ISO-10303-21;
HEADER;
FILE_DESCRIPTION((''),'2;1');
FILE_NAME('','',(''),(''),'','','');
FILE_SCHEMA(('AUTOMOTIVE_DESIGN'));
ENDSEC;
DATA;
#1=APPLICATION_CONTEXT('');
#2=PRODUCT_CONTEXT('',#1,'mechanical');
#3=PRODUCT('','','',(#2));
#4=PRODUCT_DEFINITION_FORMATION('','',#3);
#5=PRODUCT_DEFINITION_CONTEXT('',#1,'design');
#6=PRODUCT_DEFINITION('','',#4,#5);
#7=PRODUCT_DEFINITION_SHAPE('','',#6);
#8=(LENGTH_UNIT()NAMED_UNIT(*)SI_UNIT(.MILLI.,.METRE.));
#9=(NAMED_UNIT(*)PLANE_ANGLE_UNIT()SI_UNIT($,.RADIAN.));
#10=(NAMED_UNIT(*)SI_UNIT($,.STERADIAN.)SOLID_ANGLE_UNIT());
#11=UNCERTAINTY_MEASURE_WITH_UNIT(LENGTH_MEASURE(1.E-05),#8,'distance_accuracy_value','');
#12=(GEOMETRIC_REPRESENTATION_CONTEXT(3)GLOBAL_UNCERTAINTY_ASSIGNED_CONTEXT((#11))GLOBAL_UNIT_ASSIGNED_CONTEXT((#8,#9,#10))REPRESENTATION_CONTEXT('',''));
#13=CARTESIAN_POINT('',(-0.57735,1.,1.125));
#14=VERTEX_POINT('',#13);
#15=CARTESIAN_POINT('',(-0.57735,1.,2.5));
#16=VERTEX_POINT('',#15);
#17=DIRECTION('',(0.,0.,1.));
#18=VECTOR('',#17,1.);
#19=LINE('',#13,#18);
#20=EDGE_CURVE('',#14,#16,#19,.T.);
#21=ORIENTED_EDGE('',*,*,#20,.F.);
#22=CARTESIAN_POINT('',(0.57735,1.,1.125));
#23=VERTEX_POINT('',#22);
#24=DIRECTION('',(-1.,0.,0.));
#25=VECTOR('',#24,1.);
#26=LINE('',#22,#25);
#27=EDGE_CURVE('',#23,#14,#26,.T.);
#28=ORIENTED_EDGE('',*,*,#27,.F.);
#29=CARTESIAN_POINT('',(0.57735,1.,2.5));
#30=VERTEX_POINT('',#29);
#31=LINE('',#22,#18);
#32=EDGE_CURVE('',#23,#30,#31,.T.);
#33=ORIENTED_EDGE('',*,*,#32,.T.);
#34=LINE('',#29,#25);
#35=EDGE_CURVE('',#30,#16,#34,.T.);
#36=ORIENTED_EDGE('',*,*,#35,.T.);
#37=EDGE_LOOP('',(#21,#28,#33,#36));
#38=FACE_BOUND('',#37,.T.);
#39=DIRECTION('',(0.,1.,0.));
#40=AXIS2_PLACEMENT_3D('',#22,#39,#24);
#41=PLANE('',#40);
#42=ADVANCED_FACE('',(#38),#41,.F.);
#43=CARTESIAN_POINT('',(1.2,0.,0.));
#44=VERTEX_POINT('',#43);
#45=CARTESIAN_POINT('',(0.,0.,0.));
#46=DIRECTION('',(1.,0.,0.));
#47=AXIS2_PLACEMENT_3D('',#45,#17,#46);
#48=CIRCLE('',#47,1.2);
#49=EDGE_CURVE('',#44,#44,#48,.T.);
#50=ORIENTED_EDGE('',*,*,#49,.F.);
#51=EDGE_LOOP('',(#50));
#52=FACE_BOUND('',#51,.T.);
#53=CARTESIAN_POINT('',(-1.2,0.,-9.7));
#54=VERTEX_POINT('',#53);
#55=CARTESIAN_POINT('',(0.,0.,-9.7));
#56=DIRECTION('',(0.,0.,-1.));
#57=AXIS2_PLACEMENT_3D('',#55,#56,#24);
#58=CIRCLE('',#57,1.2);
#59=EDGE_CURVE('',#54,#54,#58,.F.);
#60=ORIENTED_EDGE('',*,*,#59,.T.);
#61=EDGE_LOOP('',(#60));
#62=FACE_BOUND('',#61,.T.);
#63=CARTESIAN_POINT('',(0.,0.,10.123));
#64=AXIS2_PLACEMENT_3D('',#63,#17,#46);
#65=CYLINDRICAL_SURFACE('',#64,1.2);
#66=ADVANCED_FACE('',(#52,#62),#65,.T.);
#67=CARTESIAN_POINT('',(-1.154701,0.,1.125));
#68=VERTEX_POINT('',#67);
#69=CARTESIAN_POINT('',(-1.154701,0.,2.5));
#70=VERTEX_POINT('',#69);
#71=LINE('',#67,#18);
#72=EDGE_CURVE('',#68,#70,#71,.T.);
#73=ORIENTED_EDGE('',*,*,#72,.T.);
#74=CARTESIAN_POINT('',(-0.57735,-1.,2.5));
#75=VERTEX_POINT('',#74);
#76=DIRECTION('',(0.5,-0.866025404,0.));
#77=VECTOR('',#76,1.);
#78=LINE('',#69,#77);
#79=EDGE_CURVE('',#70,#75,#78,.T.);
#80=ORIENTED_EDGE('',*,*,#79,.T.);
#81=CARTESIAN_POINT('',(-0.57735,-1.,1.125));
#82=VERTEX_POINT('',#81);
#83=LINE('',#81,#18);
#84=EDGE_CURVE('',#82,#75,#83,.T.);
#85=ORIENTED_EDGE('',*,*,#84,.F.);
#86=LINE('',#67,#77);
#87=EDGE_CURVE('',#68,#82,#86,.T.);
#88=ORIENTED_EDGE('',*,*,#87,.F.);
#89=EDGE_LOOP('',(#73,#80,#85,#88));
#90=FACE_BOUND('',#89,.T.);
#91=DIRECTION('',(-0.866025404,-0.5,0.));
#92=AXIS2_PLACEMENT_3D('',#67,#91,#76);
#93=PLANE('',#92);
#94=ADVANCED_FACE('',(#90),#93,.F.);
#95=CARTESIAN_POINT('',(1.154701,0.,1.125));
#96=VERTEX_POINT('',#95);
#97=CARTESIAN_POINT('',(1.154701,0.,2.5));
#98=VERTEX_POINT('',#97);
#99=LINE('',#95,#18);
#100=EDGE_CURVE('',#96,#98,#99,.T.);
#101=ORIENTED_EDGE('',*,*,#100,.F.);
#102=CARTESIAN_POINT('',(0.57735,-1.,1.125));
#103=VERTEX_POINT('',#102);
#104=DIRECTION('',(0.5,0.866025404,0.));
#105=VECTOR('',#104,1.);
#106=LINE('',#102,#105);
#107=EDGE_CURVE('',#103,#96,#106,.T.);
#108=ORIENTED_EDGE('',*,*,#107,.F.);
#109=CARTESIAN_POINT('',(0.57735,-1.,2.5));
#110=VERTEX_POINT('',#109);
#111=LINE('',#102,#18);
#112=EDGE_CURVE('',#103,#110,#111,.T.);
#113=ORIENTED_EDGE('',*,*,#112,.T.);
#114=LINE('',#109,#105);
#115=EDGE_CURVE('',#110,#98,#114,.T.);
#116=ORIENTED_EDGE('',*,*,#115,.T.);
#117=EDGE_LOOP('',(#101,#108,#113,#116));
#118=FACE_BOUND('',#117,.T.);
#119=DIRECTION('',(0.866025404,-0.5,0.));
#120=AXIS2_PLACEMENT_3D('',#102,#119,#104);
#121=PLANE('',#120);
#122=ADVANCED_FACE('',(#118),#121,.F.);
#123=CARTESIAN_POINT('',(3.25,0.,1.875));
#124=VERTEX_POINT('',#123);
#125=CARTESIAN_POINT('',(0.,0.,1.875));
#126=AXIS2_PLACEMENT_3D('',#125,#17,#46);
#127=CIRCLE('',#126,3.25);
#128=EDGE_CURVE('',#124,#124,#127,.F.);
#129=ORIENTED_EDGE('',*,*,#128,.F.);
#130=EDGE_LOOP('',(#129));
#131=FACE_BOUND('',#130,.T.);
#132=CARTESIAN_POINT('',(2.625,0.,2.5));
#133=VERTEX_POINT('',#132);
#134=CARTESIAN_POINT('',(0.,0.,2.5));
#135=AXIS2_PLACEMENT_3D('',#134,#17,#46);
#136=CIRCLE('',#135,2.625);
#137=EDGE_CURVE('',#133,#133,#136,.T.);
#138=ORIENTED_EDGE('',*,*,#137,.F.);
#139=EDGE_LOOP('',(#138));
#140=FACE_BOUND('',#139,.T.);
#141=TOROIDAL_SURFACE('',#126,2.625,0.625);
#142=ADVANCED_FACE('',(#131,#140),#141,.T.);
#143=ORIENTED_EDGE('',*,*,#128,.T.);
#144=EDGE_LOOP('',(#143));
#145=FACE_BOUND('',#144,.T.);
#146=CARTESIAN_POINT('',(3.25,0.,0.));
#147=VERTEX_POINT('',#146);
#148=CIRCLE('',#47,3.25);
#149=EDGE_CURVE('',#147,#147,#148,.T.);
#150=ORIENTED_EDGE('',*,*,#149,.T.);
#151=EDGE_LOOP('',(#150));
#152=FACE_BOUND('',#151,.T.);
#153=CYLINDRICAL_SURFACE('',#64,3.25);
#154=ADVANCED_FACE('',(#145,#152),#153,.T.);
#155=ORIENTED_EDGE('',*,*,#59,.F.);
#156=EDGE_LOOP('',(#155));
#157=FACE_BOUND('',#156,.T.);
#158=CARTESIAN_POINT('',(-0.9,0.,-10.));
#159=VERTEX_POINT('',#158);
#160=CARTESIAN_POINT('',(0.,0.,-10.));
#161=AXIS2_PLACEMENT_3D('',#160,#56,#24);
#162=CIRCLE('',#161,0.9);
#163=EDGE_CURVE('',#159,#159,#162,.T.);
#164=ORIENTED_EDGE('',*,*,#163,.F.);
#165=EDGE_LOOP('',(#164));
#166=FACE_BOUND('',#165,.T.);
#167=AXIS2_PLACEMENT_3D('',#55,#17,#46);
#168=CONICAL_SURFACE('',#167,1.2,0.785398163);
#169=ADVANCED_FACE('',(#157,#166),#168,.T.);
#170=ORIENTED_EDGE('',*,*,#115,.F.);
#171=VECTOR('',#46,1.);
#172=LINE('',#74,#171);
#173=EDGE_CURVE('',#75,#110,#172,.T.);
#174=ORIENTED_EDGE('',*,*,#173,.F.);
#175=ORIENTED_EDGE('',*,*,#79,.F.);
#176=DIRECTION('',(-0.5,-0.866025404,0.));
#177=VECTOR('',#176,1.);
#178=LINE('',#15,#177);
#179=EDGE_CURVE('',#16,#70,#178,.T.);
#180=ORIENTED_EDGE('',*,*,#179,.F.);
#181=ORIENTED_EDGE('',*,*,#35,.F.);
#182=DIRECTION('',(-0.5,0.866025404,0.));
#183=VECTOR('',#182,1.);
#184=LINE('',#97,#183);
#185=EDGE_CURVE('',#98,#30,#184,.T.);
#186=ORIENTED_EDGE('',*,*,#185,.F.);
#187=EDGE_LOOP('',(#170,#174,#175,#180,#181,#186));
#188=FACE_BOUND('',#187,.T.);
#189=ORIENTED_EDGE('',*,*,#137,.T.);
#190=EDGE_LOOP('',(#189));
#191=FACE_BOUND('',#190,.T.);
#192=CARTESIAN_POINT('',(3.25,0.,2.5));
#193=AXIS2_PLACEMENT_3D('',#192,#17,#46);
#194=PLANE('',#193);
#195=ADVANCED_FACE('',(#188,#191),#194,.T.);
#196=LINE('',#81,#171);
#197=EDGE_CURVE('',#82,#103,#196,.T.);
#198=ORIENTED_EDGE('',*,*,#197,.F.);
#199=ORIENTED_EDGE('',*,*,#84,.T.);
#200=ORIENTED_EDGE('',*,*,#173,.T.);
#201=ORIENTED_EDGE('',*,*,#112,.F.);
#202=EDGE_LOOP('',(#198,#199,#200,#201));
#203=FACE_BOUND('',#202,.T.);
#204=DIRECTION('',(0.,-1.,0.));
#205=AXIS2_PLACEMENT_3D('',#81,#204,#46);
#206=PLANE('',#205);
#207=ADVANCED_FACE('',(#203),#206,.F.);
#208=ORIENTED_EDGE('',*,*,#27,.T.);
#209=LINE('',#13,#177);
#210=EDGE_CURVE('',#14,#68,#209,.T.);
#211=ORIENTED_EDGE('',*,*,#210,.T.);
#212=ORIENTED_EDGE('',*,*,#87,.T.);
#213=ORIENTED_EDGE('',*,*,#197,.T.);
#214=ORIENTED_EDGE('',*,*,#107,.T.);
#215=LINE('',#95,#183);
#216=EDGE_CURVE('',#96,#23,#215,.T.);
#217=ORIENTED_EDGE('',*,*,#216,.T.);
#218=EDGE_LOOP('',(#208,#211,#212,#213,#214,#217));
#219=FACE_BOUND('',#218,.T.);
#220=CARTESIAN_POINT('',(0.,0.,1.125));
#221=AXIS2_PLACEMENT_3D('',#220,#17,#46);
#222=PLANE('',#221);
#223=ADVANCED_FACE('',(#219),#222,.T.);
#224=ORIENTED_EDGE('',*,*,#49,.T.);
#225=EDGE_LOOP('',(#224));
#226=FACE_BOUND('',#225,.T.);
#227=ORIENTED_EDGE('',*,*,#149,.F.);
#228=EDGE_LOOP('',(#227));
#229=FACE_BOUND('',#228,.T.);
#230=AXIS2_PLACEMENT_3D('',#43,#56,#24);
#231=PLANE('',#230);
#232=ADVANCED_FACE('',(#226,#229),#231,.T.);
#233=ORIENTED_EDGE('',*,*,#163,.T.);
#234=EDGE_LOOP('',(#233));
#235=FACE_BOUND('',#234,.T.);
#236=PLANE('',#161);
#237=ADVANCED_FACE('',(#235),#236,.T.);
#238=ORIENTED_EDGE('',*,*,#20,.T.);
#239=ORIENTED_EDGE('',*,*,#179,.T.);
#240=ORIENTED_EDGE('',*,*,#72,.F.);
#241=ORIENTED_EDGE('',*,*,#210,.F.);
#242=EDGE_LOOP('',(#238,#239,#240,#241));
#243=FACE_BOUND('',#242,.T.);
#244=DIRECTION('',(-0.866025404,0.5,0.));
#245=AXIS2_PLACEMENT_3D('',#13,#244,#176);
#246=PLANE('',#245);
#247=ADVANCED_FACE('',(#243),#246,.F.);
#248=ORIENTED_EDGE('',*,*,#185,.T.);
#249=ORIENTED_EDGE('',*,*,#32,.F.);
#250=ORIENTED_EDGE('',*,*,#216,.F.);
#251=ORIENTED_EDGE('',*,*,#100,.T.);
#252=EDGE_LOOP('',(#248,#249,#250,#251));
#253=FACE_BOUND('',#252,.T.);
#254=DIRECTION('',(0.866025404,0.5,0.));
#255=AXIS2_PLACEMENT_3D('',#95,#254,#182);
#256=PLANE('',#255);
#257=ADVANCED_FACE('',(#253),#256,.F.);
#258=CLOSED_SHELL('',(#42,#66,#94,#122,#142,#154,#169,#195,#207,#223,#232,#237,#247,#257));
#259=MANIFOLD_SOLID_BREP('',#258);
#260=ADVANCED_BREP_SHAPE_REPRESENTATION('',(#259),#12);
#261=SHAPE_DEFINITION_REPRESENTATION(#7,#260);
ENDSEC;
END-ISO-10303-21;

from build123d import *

# Parameters (mm, degrees)
SHANK_TIP_CHAMFER_SIZE = 0.3
PAN_HEAD_ROUND_R       = 0.625
HEX_DRIVE_CUT_DEPTH    = 1.375


with BuildPart() as part:
    # Screw Section → Screw Blank Revolve (revolve)
    with BuildSketch(Plane(origin=(0, 0, 0), x_dir=(1, 0, 0), z_dir=(0, 1, 0))):
        Polygon((0, 10), (1.2, 10), (1.2, 0), (3.25, 0), (3.25, -2.5), (0, -2.5), align=None)
    revolve(axis=Axis((0, 0, 10.123), (0, 0, -1)))

    # Shank Tip Chamfer
    shank_tip_chamfer_edges = [part.edges().sort_by_distance(p)[0] for p in [
        (-1.2, 0, -10),
    ]]
    chamfer(shank_tip_chamfer_edges, length=SHANK_TIP_CHAMFER_SIZE)

    # Pan Head Round
    pan_head_round_edges = [part.edges().sort_by_distance(p)[0] for p in [
        (-3.25, 0, 2.5),
    ]]
    fillet(pan_head_round_edges, radius=PAN_HEAD_ROUND_R)

    # Hex Drive Sketch → Hex Drive Cut (cut)
    with BuildSketch(Plane.XY.offset(2.5)):
        Polygon((1.154700538, 0), (0.577350269, 1), (-0.577350269, 1), (-1.154700538, 0), (-0.577350269, -1), (0.577350269, -1), align=None)
    extrude(amount=-HEX_DRIVE_CUT_DEPTH, mode=Mode.SUBTRACT)


solid = part.part
